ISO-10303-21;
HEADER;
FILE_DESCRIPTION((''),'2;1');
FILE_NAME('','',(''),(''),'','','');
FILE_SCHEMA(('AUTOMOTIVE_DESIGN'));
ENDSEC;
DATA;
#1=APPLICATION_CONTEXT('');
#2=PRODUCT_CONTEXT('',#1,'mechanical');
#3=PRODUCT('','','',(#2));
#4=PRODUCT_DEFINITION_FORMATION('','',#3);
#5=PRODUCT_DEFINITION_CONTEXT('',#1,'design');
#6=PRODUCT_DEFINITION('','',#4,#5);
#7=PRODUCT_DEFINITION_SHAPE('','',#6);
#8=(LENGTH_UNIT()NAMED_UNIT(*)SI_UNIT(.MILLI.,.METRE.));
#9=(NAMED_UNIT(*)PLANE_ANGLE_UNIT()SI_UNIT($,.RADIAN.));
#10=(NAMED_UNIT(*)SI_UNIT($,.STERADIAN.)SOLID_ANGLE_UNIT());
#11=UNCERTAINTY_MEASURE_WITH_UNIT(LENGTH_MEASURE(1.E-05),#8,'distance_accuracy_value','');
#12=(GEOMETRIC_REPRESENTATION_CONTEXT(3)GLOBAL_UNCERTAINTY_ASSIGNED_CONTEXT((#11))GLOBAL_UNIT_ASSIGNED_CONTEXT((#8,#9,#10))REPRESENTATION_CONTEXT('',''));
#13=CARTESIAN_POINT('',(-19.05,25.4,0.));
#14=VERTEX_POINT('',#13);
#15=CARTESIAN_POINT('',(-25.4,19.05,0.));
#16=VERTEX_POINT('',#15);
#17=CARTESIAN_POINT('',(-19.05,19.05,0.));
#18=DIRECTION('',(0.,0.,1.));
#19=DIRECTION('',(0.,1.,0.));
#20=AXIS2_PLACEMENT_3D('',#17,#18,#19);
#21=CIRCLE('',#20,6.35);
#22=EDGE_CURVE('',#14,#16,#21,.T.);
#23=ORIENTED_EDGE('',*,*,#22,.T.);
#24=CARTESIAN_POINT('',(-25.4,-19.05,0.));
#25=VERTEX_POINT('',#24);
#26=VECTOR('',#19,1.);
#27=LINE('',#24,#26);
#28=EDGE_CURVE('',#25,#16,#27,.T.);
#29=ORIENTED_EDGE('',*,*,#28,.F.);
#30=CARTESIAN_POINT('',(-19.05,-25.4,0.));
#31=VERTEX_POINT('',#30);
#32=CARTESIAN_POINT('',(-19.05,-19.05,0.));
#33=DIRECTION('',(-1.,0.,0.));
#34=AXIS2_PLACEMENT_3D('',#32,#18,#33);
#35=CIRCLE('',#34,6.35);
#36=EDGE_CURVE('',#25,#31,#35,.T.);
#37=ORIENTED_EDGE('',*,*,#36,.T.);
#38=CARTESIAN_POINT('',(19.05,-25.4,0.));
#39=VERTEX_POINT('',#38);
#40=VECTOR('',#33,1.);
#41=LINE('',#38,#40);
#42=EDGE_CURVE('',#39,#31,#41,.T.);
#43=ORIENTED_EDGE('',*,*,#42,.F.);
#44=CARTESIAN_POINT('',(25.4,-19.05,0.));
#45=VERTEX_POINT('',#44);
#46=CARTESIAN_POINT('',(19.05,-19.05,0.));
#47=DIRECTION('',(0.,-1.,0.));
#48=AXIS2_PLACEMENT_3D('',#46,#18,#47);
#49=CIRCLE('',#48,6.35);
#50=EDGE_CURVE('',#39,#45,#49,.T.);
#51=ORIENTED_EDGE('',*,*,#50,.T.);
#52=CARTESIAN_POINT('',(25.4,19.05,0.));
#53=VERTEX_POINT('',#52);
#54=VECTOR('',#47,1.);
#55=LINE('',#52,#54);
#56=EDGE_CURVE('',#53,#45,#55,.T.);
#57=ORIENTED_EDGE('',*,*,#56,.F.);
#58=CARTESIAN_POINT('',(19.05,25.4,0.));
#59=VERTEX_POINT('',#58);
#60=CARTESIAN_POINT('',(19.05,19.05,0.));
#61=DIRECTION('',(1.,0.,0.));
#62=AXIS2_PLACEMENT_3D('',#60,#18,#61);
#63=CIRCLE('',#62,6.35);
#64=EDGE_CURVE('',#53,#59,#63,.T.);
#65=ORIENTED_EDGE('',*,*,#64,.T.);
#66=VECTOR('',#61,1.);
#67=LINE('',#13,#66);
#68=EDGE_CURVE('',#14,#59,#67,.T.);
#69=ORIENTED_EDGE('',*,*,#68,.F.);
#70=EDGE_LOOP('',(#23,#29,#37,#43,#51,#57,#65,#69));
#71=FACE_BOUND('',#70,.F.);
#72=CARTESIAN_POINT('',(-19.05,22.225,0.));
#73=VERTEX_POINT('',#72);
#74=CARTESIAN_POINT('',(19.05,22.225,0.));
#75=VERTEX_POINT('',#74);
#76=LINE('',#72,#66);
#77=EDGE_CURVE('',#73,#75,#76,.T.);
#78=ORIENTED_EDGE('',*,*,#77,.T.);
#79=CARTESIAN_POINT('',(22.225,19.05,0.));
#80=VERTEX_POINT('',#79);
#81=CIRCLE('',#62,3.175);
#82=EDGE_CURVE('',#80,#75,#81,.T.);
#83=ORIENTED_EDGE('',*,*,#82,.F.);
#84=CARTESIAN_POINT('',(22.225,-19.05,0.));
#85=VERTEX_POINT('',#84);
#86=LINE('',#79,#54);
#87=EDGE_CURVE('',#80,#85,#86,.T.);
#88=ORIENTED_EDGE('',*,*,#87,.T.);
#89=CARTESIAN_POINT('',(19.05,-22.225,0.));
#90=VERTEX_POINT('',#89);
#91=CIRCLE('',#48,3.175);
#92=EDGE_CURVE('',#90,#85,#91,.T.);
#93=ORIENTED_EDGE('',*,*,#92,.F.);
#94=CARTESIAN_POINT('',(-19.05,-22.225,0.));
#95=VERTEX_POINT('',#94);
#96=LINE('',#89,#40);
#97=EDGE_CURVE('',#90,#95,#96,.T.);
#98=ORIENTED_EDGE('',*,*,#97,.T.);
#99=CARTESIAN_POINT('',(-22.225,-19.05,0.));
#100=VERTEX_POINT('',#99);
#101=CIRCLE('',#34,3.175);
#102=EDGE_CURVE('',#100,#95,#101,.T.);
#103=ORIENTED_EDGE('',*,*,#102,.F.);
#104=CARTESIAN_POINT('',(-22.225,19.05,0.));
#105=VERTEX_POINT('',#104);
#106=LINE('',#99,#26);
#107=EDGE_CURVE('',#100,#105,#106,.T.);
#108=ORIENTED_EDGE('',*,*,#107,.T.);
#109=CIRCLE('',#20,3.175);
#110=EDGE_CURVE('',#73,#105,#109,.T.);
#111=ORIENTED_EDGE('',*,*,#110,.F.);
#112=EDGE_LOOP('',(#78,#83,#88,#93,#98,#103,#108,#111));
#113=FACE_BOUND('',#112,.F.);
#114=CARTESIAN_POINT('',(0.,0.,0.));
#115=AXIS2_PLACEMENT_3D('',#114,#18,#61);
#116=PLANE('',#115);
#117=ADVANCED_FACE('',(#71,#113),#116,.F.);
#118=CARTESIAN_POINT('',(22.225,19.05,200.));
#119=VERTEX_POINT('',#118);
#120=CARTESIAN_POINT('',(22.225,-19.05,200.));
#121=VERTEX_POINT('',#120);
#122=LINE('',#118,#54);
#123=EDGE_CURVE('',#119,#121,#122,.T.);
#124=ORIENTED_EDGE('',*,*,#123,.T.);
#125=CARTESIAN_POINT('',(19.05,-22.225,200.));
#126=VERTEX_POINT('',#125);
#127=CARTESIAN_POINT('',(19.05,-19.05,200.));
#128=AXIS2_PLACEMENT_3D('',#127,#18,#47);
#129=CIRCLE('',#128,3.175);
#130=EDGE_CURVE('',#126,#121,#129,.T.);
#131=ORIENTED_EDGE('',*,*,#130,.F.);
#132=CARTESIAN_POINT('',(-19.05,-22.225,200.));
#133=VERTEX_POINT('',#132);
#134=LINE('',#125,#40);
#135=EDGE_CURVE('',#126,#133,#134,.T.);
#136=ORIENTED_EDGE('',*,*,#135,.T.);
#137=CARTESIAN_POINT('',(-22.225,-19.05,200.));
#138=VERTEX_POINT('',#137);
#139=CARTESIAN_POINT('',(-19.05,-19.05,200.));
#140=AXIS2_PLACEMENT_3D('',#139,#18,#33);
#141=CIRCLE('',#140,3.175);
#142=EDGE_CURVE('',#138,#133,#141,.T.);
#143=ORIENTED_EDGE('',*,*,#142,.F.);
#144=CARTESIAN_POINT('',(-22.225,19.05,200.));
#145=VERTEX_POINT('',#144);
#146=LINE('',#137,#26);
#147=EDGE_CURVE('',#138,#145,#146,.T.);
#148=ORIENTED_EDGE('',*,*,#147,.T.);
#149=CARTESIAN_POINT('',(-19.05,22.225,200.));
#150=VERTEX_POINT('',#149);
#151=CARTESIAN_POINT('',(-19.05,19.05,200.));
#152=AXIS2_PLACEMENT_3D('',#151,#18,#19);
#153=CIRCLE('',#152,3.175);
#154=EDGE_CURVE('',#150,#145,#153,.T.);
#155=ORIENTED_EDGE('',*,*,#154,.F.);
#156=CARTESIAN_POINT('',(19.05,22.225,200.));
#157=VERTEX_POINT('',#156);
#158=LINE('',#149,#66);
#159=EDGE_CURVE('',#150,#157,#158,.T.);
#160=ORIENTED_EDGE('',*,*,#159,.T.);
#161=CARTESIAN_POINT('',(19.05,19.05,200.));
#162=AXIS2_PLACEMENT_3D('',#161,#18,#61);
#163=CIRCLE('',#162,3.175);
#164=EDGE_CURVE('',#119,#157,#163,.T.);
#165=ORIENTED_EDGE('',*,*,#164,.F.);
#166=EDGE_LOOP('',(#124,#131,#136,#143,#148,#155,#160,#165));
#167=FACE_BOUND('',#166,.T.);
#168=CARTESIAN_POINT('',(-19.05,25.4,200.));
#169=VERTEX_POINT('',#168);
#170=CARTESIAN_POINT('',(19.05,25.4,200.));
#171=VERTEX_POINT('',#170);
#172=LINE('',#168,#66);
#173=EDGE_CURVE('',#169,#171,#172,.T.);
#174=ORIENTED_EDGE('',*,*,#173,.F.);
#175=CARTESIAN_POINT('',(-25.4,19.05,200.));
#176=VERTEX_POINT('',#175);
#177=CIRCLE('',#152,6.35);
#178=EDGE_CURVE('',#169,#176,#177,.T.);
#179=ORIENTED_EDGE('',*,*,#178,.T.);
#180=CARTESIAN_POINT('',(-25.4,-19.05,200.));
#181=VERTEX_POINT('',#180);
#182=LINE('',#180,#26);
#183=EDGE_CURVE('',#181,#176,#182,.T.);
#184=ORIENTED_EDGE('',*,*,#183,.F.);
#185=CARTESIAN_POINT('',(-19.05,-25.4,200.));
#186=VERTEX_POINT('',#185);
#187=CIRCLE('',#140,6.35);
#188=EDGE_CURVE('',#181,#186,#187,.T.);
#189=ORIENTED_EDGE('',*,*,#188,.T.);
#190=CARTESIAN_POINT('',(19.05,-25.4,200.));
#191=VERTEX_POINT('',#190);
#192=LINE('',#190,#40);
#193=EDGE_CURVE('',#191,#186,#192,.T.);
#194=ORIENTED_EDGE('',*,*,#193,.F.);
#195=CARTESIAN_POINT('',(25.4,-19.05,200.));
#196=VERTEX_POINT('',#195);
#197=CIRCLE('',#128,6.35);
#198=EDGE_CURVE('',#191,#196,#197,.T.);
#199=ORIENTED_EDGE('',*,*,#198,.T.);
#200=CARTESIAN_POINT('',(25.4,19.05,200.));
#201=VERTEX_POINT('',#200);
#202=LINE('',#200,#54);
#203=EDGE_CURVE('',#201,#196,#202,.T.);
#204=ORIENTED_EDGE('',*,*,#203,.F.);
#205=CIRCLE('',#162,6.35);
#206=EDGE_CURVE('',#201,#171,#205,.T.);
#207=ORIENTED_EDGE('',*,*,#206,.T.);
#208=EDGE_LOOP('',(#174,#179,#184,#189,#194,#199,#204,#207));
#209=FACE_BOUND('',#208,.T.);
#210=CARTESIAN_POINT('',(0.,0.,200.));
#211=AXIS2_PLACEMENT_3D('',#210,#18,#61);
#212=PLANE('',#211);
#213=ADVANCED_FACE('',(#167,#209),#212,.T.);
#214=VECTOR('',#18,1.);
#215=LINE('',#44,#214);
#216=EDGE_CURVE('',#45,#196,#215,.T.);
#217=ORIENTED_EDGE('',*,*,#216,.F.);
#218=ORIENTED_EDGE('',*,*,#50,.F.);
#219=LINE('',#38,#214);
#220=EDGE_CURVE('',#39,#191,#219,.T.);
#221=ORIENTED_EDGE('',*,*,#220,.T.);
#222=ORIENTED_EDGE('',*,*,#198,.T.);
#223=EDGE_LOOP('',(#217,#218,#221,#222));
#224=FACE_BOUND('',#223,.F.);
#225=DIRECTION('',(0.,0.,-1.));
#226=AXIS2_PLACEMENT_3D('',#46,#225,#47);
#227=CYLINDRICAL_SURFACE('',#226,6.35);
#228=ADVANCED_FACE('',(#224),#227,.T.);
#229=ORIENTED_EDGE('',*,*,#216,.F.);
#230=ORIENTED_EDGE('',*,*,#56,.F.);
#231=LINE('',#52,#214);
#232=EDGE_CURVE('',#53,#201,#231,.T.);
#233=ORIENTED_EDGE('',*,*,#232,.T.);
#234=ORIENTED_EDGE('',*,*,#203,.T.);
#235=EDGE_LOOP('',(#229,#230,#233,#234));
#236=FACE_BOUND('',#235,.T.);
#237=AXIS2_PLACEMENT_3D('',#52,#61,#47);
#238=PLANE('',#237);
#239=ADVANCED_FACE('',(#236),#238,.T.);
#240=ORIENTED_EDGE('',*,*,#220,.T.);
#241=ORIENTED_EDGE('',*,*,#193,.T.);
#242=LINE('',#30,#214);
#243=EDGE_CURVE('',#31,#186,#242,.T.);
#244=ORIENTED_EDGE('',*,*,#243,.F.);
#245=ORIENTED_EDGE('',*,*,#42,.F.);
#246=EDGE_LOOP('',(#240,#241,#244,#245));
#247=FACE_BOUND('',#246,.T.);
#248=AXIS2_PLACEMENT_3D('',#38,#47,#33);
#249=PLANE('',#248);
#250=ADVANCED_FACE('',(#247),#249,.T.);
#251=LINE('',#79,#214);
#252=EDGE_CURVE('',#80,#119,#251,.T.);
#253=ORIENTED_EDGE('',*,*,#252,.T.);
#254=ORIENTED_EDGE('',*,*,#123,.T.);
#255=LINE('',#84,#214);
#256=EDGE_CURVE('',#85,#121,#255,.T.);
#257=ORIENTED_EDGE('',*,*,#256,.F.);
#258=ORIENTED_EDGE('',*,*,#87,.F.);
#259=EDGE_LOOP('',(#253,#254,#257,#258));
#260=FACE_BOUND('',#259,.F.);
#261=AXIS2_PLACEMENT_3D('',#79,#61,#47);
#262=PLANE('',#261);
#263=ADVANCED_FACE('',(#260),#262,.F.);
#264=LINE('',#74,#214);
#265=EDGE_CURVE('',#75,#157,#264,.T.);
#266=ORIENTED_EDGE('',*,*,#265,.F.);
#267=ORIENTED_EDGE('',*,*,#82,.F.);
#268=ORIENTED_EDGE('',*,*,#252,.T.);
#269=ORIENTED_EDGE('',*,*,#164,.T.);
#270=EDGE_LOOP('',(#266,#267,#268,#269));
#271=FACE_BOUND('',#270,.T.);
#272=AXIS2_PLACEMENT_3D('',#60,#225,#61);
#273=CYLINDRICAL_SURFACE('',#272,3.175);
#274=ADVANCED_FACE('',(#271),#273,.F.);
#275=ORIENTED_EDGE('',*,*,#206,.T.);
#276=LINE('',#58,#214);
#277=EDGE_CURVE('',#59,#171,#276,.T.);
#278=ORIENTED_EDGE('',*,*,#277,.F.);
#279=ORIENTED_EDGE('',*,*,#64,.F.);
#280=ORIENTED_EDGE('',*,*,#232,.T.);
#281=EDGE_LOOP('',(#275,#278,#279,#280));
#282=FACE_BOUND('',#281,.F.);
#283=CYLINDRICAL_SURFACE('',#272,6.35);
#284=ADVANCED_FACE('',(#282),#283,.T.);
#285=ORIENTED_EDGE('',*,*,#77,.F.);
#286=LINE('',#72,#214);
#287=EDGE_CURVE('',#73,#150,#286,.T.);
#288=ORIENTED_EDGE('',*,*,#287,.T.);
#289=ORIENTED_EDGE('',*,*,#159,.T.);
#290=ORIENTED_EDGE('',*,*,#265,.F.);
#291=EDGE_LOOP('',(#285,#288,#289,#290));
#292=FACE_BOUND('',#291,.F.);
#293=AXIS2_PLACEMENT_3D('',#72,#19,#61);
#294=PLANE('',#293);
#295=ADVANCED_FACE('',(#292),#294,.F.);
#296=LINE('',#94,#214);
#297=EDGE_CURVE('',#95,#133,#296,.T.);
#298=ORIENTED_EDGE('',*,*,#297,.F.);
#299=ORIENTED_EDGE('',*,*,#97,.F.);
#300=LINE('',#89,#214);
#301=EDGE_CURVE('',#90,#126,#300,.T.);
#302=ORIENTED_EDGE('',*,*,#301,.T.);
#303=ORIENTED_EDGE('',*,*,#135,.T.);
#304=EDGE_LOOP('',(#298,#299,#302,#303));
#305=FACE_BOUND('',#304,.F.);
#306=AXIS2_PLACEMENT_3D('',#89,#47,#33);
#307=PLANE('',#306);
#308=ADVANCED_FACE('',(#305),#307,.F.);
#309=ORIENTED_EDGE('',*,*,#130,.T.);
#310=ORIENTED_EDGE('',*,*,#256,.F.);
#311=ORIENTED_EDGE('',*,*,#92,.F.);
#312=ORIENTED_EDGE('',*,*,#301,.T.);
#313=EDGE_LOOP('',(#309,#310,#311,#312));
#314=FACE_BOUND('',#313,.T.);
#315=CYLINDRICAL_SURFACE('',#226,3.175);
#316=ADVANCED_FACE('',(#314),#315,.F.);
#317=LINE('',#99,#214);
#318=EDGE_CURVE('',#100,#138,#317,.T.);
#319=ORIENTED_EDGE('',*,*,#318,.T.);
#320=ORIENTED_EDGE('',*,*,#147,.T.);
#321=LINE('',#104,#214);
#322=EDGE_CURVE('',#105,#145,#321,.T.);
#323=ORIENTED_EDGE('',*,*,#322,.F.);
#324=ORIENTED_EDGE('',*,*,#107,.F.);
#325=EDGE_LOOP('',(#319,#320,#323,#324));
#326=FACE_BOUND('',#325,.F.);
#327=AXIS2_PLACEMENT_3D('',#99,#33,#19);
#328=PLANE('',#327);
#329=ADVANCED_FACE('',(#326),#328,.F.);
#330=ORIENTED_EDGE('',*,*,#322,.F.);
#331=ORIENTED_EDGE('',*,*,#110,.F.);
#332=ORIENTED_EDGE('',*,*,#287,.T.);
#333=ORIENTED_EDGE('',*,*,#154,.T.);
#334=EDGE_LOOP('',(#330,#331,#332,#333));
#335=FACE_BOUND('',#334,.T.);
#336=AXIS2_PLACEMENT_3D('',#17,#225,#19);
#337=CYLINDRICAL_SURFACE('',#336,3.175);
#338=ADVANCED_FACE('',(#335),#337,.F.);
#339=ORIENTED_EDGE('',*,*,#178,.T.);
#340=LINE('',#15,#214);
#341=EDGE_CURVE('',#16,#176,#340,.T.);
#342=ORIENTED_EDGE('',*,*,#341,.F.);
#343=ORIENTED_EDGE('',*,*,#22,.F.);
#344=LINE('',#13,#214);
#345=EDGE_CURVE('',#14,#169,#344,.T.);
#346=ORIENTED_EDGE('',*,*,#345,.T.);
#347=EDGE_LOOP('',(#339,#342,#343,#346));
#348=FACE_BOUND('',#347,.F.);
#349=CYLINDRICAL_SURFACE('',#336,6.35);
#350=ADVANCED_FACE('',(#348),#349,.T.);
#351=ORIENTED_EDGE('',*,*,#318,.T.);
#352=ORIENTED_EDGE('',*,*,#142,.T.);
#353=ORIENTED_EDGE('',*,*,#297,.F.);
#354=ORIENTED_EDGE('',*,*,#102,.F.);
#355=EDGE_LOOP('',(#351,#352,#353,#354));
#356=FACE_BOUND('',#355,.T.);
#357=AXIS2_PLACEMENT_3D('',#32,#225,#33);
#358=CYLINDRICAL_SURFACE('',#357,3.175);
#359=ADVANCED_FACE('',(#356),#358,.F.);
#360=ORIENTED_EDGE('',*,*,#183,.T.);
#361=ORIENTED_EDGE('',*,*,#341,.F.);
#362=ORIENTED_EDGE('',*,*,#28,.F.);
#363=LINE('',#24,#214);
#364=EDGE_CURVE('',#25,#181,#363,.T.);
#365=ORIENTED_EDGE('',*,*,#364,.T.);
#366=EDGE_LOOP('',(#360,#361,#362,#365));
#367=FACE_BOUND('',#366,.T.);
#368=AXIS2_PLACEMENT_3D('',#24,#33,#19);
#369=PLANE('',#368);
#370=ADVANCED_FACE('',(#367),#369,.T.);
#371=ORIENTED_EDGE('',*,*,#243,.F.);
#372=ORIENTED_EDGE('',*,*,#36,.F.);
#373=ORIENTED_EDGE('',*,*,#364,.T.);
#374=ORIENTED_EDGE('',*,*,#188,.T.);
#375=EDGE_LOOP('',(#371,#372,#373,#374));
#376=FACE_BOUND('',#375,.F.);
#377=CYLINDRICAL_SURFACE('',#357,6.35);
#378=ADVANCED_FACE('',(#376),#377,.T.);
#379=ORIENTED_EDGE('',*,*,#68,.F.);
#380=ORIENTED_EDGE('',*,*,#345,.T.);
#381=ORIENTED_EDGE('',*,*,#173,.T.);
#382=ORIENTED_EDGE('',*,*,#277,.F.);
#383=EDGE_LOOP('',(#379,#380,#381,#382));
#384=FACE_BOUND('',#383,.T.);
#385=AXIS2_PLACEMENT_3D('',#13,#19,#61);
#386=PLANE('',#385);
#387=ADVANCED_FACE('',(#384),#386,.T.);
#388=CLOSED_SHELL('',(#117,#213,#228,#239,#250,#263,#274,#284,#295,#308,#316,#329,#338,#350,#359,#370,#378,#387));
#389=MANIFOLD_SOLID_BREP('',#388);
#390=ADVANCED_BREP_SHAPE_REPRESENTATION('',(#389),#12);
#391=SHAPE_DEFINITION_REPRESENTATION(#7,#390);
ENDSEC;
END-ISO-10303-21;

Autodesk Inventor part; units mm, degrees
ref_plane "YZ Plane" through (0, 0, 0) normal (1, 0, 0) x (0, 1, 0)
ref_plane "Plano inicial" through (0, 0, 0) normal (0, 0, 1) x (1, 0, 0)
ref_plane "Plano final" through (0, 0, 200) normal (0, 0, 1) x (1, 0, 0)
sketch "Boceto" plane through (0, 0, 0) normal (0, 0, 1) x (1, 0, 0)
  line L0 (-25.4, -19.05) -> (-25.4, 19.05)
  line L1 (-19.05, 25.4) -> (19.05, 25.4)
  line L2 (25.4, 19.05) -> (25.4, -19.05)
  line L3 (19.05, -25.4) -> (-19.05, -25.4)
  arc A0 (-25.4, -19.05) -> (-19.05, -25.4) centre (-19.05, -19.05) ccw
  arc A1 (-19.05, 25.4) -> (-25.4, 19.05) centre (-19.05, 19.05) ccw
  arc A2 (25.4, 19.05) -> (19.05, 25.4) centre (19.05, 19.05) ccw
  arc A3 (19.05, -25.4) -> (25.4, -19.05) centre (19.05, -19.05) ccw
  arc A4 (-19.05, 22.225) -> (-22.225, 19.05) centre (-19.05, 19.05) ccw
  line L4 (-19.05, 22.225) -> (19.05, 22.225)
  arc A5 (22.225, 19.05) -> (19.05, 22.225) centre (19.05, 19.05) ccw
  line L5 (22.225, 19.05) -> (22.225, -19.05)
  arc A6 (19.05, -22.225) -> (22.225, -19.05) centre (19.05, -19.05) ccw
  line L6 (19.05, -22.225) -> (-19.05, -22.225)
  arc A7 (-22.225, -19.05) -> (-19.05, -22.225) centre (-19.05, -19.05) ccw
  line L7 (-22.225, -19.05) -> (-22.225, 19.05)
  line L8 (0, 37.4012) -> (0, -37.4012) construction
  line L9 (-37.4012, 0) -> (37.4012, 0) construction
  dimension "d10" = 50.8
  dimension "d11" = 50.8
  dimension "d12" = 3.175
  dimension "d15" = 25.4
  dimension "d16" = 25.4
  dimension "d17" = 6.35
extrude "Cuerpo" add sketch "Boceto" along normal up to surface (200 mm away) from surface at 0
sketch "Sketch3" plane through (0, 0, 0) normal (0, 0, 1) x (1, 0, 0)
  line L0 (0, 0) -> (10, 0)
ref_plane "Work Plane3" through (0, 0, 0) normal (0, -1, 0) x (1, 0, 0)
sketch "Sketch4" plane through (0, 0, 0) normal (0, -1, 0) x (1, 0, 0)
  line L0 (-2, 0) -> (12, 0) projected
  line L1 (-2, 200) -> (12, 200) projected
  dimension "d19" = 200
equation "\"d10\" = G_H"
equation "\"d11\" = G_W"
equation "\"d12\" = G_T"
equation "\"d15\" = 0.5 * d10"
equation "\"d16\" = 0.5 * d11"
equation "\"d17\" = G_IR"
equation "\"d3\" = G_L"
equation "\"G_W\" = 50.8"
equation "\"G_H\" = 50.8"
equation "\"G_T\" = 3.175"
equation "\"G_IR\" = 6.35"
equation "\"G_L\" = d19"
equation "\"G_OFFSET_START\" = 0"
equation "\"G_OFFSET_END\" = 0"
equation "\"d14\" = G_OFFSET_END + B_L"
equation "\"B_L\" = 200"
properties part number "AISC - 2 x 2 x 1/8 - 7,874" material "Acero, suave"
